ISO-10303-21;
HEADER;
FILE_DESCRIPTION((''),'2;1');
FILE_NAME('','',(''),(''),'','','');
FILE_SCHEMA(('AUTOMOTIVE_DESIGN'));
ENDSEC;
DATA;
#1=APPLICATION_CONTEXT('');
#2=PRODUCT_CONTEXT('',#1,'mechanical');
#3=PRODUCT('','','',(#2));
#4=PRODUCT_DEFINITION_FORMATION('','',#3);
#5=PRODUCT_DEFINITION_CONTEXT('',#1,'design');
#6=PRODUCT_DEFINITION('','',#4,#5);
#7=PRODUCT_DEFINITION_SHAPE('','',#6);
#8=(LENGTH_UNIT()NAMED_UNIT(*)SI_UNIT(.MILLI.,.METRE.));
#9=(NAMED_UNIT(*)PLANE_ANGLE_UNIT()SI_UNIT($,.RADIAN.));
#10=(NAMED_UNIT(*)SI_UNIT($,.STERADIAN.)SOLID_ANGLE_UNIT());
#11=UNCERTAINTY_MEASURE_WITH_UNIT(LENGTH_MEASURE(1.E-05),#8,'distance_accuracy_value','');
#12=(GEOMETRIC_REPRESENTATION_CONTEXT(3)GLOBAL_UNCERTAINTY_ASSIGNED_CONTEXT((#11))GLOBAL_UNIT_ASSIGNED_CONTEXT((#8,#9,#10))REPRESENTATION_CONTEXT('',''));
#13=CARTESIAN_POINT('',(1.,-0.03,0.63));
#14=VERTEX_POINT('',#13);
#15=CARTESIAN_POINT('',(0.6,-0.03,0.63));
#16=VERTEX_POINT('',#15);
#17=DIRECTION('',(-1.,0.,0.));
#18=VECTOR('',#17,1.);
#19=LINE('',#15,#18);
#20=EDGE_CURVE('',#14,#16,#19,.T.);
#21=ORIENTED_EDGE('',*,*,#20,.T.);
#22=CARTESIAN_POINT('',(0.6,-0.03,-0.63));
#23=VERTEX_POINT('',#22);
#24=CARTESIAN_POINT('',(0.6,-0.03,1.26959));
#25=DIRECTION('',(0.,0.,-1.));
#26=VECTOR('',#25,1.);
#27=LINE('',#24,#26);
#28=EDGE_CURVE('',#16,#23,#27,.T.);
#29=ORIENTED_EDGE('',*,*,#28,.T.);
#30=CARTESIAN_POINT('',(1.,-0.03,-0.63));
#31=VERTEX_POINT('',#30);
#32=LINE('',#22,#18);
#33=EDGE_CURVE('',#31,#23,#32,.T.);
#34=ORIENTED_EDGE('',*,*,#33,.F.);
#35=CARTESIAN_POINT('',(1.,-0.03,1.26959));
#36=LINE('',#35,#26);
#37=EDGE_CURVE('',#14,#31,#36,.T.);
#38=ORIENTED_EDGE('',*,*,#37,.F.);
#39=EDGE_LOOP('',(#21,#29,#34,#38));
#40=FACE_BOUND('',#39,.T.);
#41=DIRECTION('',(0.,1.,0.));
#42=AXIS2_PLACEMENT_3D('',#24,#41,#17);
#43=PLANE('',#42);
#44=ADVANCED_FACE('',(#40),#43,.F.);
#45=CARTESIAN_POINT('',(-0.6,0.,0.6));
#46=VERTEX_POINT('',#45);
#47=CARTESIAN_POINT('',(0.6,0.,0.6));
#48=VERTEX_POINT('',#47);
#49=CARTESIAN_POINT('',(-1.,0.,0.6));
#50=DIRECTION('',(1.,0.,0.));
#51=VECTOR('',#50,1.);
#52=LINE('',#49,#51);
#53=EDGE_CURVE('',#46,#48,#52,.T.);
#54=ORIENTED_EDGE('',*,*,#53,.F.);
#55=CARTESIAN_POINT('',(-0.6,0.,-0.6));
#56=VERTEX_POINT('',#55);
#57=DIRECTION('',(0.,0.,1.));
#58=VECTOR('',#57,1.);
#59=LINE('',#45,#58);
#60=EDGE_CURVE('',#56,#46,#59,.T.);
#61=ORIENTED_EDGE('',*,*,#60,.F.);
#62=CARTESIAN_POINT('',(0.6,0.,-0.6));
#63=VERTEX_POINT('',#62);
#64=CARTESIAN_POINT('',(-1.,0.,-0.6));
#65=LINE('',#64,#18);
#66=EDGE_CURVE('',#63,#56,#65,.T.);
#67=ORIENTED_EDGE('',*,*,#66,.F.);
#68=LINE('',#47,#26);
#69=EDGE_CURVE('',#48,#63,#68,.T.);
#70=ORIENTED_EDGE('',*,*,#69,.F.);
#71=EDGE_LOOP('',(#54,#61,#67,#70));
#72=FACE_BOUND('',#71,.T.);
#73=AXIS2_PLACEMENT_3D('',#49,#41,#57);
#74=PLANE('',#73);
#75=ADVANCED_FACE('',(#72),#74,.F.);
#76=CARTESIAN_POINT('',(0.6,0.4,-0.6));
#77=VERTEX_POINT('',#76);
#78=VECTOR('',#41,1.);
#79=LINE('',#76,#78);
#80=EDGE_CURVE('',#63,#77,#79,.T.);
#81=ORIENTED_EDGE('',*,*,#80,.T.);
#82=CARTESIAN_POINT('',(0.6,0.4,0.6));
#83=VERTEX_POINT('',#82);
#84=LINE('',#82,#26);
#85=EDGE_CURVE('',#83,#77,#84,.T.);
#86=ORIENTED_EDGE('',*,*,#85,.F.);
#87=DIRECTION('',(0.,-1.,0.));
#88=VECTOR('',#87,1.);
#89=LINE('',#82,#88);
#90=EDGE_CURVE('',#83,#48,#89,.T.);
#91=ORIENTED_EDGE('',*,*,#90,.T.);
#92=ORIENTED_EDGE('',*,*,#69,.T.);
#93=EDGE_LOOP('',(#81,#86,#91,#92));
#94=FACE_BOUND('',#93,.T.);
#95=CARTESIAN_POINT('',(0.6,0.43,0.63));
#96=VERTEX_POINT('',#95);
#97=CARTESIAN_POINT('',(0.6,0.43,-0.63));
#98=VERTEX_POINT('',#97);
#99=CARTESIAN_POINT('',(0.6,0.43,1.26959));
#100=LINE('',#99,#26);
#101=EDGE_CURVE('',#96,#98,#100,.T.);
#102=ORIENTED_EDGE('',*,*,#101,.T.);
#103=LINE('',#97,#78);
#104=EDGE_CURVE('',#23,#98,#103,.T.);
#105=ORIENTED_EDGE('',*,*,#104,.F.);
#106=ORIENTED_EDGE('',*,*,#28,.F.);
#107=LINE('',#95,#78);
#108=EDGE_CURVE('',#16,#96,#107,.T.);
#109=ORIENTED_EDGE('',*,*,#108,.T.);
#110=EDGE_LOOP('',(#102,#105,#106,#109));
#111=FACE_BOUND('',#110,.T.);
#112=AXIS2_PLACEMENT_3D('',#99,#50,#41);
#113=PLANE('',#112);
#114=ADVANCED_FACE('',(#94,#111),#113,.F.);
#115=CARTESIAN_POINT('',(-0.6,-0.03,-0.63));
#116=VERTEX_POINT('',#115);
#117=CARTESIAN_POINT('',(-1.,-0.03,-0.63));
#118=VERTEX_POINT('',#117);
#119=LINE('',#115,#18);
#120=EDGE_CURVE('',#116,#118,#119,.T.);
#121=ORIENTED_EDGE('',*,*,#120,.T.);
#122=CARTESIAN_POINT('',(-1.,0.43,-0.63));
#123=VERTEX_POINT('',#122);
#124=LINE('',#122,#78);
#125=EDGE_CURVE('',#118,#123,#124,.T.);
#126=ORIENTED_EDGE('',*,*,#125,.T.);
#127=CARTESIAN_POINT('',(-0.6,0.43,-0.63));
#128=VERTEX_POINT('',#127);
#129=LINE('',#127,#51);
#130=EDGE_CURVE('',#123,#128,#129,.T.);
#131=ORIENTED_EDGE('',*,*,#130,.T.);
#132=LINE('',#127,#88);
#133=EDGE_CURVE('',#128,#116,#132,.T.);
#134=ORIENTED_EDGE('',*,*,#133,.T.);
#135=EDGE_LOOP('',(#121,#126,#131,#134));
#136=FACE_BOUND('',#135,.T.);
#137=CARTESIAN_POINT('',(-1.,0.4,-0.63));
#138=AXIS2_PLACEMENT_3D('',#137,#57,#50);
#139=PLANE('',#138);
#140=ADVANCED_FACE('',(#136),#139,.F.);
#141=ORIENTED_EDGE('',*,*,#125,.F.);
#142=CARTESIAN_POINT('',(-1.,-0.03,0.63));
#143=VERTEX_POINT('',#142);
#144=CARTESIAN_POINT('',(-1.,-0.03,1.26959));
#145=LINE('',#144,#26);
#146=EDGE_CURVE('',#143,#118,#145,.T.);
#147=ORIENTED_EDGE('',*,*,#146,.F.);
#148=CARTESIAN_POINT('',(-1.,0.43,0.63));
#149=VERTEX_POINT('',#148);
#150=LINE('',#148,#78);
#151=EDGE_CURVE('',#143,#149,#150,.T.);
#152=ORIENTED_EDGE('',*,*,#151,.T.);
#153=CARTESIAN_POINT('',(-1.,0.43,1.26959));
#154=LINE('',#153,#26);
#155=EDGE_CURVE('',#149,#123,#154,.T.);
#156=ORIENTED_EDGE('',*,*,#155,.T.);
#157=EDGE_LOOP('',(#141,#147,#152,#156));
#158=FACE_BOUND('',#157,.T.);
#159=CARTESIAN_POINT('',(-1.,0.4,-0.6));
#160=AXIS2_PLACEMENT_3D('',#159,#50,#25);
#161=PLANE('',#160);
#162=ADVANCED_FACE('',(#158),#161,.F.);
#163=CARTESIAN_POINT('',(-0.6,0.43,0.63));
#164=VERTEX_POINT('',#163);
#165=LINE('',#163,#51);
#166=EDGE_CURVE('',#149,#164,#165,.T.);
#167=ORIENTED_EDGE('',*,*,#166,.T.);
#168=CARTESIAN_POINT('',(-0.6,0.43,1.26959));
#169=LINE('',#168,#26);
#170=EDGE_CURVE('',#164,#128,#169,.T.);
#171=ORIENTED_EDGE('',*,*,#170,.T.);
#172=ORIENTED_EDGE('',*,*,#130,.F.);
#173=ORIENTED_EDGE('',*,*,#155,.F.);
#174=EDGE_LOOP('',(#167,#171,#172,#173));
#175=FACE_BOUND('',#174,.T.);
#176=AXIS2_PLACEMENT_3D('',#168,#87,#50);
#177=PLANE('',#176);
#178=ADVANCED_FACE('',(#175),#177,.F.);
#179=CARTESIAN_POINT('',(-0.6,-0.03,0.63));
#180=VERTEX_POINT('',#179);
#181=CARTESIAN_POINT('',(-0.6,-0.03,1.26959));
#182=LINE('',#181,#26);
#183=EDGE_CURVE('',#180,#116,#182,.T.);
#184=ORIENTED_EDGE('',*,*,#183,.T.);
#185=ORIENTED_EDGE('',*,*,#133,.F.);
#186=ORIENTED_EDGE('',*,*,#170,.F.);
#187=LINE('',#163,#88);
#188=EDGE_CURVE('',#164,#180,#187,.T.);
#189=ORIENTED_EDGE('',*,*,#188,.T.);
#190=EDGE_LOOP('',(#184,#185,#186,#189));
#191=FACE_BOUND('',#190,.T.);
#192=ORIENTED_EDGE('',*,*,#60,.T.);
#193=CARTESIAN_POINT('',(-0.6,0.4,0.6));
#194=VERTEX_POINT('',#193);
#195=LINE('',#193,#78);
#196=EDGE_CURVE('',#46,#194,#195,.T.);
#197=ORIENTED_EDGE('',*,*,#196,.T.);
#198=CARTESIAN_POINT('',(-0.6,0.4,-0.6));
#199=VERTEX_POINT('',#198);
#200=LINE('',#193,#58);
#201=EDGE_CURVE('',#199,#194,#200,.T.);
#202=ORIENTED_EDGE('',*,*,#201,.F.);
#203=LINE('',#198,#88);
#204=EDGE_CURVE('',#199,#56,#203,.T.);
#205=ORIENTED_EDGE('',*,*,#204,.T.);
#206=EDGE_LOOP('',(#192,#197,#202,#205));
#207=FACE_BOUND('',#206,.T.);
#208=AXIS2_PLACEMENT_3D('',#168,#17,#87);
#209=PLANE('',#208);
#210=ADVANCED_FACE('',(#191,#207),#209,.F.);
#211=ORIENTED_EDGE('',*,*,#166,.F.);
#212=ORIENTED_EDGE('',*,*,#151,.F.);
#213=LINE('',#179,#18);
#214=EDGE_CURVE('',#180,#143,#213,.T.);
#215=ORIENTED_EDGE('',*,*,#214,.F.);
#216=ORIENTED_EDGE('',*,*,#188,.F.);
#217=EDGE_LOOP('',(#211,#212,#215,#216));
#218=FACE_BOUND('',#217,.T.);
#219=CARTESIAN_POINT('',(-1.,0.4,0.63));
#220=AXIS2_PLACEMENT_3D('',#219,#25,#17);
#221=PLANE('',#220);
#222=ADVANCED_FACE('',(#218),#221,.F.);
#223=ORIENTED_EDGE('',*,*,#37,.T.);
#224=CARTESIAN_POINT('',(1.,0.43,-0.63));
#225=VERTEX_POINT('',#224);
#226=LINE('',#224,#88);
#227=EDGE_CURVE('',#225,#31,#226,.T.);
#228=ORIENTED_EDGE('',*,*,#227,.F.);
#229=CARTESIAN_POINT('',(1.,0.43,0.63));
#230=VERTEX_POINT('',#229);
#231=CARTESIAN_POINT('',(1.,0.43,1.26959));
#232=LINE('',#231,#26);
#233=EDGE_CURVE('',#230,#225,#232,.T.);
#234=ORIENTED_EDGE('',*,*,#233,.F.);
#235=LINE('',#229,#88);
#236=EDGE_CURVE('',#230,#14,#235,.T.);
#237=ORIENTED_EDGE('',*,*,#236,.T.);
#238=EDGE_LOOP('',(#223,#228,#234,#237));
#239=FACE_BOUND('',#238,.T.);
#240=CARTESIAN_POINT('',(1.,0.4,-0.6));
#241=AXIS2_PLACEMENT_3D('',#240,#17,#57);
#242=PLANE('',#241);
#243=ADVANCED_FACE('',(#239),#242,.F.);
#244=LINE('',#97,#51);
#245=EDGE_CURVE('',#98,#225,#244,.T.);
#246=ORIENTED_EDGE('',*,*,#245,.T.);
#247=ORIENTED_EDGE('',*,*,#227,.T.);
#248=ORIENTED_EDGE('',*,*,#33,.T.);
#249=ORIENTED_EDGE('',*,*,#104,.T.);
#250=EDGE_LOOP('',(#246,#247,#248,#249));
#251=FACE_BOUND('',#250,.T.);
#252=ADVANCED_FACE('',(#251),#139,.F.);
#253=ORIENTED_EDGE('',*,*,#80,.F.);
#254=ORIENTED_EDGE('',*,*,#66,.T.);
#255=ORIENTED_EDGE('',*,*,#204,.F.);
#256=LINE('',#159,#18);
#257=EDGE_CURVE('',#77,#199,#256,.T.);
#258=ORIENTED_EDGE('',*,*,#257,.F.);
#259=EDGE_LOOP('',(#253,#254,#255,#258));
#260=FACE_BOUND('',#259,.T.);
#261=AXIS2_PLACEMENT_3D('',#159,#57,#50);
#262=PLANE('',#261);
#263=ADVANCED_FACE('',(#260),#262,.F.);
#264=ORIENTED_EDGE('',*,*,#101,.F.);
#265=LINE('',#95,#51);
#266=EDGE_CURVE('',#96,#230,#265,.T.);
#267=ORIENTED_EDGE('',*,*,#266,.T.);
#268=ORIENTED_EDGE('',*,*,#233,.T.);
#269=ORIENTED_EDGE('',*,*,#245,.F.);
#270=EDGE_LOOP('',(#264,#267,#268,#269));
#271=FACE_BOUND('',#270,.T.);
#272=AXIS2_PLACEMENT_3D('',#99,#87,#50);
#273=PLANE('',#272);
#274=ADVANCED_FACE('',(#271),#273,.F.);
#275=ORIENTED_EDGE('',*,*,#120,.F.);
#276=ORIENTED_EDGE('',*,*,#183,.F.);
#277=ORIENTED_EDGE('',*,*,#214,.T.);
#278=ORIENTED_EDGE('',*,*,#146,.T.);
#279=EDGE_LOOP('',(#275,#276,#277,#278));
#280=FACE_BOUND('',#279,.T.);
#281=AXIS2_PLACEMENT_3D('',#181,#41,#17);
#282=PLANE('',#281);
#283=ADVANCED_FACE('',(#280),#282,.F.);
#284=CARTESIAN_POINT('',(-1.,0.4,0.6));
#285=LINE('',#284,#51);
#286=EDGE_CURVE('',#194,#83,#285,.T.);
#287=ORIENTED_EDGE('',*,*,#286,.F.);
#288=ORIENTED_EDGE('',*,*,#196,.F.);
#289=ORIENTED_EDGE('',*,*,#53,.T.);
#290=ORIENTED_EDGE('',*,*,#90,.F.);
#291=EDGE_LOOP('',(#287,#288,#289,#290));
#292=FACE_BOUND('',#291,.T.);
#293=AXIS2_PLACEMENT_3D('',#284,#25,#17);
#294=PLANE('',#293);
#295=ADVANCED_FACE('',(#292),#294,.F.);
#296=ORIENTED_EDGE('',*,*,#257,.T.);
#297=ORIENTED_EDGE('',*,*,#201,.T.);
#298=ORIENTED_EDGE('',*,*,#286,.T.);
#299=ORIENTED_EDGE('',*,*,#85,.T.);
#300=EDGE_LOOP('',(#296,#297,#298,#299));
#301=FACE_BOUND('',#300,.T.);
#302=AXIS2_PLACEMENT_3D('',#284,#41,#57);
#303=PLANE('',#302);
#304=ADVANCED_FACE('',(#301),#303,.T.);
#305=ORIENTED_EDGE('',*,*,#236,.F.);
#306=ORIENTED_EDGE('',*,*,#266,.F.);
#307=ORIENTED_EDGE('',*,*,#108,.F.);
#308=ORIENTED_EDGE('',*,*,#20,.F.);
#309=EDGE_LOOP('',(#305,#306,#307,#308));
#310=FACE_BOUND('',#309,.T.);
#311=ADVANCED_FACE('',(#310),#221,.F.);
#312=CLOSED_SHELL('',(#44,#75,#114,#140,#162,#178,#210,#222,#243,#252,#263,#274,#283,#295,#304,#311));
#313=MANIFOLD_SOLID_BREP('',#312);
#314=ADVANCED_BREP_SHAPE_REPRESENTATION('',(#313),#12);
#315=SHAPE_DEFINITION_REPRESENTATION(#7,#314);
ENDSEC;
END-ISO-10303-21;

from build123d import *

# Parameters (mm, degrees)
SKETCH1_W           = 2
SKETCH1_H           = 1.2
EXTRUDE1_DEPTH      = 0.4
SKETCH2_W           = 0.4
SKETCH2_H           = 0.46
EXTRUDE2_DEPTH      = 0.63
EXTRUDE2_DEPTH_BACK = 0.63


with BuildPart() as part:
    # Sketch1 → Extrude1 (new body)
    with BuildSketch(Plane(origin=(0, 0, 0), x_dir=(1, 0, 0), z_dir=(0, 1, 0))):
        Rectangle(SKETCH1_W, SKETCH1_H)
    extrude(amount=EXTRUDE1_DEPTH)

    # Sketch2 → Extrude2 (add, two sides)
    with BuildSketch(Plane.XY) as extrude2_sk:
        with Locations((-0.8, 0.2)):
            Rectangle(SKETCH2_W, SKETCH2_H)
        with Locations((0.8, 0.2)):
            Rectangle(SKETCH2_W, SKETCH2_H)
    extrude(amount=EXTRUDE2_DEPTH)
    extrude(extrude2_sk.sketch, amount=-EXTRUDE2_DEPTH_BACK)


solid = part.part
